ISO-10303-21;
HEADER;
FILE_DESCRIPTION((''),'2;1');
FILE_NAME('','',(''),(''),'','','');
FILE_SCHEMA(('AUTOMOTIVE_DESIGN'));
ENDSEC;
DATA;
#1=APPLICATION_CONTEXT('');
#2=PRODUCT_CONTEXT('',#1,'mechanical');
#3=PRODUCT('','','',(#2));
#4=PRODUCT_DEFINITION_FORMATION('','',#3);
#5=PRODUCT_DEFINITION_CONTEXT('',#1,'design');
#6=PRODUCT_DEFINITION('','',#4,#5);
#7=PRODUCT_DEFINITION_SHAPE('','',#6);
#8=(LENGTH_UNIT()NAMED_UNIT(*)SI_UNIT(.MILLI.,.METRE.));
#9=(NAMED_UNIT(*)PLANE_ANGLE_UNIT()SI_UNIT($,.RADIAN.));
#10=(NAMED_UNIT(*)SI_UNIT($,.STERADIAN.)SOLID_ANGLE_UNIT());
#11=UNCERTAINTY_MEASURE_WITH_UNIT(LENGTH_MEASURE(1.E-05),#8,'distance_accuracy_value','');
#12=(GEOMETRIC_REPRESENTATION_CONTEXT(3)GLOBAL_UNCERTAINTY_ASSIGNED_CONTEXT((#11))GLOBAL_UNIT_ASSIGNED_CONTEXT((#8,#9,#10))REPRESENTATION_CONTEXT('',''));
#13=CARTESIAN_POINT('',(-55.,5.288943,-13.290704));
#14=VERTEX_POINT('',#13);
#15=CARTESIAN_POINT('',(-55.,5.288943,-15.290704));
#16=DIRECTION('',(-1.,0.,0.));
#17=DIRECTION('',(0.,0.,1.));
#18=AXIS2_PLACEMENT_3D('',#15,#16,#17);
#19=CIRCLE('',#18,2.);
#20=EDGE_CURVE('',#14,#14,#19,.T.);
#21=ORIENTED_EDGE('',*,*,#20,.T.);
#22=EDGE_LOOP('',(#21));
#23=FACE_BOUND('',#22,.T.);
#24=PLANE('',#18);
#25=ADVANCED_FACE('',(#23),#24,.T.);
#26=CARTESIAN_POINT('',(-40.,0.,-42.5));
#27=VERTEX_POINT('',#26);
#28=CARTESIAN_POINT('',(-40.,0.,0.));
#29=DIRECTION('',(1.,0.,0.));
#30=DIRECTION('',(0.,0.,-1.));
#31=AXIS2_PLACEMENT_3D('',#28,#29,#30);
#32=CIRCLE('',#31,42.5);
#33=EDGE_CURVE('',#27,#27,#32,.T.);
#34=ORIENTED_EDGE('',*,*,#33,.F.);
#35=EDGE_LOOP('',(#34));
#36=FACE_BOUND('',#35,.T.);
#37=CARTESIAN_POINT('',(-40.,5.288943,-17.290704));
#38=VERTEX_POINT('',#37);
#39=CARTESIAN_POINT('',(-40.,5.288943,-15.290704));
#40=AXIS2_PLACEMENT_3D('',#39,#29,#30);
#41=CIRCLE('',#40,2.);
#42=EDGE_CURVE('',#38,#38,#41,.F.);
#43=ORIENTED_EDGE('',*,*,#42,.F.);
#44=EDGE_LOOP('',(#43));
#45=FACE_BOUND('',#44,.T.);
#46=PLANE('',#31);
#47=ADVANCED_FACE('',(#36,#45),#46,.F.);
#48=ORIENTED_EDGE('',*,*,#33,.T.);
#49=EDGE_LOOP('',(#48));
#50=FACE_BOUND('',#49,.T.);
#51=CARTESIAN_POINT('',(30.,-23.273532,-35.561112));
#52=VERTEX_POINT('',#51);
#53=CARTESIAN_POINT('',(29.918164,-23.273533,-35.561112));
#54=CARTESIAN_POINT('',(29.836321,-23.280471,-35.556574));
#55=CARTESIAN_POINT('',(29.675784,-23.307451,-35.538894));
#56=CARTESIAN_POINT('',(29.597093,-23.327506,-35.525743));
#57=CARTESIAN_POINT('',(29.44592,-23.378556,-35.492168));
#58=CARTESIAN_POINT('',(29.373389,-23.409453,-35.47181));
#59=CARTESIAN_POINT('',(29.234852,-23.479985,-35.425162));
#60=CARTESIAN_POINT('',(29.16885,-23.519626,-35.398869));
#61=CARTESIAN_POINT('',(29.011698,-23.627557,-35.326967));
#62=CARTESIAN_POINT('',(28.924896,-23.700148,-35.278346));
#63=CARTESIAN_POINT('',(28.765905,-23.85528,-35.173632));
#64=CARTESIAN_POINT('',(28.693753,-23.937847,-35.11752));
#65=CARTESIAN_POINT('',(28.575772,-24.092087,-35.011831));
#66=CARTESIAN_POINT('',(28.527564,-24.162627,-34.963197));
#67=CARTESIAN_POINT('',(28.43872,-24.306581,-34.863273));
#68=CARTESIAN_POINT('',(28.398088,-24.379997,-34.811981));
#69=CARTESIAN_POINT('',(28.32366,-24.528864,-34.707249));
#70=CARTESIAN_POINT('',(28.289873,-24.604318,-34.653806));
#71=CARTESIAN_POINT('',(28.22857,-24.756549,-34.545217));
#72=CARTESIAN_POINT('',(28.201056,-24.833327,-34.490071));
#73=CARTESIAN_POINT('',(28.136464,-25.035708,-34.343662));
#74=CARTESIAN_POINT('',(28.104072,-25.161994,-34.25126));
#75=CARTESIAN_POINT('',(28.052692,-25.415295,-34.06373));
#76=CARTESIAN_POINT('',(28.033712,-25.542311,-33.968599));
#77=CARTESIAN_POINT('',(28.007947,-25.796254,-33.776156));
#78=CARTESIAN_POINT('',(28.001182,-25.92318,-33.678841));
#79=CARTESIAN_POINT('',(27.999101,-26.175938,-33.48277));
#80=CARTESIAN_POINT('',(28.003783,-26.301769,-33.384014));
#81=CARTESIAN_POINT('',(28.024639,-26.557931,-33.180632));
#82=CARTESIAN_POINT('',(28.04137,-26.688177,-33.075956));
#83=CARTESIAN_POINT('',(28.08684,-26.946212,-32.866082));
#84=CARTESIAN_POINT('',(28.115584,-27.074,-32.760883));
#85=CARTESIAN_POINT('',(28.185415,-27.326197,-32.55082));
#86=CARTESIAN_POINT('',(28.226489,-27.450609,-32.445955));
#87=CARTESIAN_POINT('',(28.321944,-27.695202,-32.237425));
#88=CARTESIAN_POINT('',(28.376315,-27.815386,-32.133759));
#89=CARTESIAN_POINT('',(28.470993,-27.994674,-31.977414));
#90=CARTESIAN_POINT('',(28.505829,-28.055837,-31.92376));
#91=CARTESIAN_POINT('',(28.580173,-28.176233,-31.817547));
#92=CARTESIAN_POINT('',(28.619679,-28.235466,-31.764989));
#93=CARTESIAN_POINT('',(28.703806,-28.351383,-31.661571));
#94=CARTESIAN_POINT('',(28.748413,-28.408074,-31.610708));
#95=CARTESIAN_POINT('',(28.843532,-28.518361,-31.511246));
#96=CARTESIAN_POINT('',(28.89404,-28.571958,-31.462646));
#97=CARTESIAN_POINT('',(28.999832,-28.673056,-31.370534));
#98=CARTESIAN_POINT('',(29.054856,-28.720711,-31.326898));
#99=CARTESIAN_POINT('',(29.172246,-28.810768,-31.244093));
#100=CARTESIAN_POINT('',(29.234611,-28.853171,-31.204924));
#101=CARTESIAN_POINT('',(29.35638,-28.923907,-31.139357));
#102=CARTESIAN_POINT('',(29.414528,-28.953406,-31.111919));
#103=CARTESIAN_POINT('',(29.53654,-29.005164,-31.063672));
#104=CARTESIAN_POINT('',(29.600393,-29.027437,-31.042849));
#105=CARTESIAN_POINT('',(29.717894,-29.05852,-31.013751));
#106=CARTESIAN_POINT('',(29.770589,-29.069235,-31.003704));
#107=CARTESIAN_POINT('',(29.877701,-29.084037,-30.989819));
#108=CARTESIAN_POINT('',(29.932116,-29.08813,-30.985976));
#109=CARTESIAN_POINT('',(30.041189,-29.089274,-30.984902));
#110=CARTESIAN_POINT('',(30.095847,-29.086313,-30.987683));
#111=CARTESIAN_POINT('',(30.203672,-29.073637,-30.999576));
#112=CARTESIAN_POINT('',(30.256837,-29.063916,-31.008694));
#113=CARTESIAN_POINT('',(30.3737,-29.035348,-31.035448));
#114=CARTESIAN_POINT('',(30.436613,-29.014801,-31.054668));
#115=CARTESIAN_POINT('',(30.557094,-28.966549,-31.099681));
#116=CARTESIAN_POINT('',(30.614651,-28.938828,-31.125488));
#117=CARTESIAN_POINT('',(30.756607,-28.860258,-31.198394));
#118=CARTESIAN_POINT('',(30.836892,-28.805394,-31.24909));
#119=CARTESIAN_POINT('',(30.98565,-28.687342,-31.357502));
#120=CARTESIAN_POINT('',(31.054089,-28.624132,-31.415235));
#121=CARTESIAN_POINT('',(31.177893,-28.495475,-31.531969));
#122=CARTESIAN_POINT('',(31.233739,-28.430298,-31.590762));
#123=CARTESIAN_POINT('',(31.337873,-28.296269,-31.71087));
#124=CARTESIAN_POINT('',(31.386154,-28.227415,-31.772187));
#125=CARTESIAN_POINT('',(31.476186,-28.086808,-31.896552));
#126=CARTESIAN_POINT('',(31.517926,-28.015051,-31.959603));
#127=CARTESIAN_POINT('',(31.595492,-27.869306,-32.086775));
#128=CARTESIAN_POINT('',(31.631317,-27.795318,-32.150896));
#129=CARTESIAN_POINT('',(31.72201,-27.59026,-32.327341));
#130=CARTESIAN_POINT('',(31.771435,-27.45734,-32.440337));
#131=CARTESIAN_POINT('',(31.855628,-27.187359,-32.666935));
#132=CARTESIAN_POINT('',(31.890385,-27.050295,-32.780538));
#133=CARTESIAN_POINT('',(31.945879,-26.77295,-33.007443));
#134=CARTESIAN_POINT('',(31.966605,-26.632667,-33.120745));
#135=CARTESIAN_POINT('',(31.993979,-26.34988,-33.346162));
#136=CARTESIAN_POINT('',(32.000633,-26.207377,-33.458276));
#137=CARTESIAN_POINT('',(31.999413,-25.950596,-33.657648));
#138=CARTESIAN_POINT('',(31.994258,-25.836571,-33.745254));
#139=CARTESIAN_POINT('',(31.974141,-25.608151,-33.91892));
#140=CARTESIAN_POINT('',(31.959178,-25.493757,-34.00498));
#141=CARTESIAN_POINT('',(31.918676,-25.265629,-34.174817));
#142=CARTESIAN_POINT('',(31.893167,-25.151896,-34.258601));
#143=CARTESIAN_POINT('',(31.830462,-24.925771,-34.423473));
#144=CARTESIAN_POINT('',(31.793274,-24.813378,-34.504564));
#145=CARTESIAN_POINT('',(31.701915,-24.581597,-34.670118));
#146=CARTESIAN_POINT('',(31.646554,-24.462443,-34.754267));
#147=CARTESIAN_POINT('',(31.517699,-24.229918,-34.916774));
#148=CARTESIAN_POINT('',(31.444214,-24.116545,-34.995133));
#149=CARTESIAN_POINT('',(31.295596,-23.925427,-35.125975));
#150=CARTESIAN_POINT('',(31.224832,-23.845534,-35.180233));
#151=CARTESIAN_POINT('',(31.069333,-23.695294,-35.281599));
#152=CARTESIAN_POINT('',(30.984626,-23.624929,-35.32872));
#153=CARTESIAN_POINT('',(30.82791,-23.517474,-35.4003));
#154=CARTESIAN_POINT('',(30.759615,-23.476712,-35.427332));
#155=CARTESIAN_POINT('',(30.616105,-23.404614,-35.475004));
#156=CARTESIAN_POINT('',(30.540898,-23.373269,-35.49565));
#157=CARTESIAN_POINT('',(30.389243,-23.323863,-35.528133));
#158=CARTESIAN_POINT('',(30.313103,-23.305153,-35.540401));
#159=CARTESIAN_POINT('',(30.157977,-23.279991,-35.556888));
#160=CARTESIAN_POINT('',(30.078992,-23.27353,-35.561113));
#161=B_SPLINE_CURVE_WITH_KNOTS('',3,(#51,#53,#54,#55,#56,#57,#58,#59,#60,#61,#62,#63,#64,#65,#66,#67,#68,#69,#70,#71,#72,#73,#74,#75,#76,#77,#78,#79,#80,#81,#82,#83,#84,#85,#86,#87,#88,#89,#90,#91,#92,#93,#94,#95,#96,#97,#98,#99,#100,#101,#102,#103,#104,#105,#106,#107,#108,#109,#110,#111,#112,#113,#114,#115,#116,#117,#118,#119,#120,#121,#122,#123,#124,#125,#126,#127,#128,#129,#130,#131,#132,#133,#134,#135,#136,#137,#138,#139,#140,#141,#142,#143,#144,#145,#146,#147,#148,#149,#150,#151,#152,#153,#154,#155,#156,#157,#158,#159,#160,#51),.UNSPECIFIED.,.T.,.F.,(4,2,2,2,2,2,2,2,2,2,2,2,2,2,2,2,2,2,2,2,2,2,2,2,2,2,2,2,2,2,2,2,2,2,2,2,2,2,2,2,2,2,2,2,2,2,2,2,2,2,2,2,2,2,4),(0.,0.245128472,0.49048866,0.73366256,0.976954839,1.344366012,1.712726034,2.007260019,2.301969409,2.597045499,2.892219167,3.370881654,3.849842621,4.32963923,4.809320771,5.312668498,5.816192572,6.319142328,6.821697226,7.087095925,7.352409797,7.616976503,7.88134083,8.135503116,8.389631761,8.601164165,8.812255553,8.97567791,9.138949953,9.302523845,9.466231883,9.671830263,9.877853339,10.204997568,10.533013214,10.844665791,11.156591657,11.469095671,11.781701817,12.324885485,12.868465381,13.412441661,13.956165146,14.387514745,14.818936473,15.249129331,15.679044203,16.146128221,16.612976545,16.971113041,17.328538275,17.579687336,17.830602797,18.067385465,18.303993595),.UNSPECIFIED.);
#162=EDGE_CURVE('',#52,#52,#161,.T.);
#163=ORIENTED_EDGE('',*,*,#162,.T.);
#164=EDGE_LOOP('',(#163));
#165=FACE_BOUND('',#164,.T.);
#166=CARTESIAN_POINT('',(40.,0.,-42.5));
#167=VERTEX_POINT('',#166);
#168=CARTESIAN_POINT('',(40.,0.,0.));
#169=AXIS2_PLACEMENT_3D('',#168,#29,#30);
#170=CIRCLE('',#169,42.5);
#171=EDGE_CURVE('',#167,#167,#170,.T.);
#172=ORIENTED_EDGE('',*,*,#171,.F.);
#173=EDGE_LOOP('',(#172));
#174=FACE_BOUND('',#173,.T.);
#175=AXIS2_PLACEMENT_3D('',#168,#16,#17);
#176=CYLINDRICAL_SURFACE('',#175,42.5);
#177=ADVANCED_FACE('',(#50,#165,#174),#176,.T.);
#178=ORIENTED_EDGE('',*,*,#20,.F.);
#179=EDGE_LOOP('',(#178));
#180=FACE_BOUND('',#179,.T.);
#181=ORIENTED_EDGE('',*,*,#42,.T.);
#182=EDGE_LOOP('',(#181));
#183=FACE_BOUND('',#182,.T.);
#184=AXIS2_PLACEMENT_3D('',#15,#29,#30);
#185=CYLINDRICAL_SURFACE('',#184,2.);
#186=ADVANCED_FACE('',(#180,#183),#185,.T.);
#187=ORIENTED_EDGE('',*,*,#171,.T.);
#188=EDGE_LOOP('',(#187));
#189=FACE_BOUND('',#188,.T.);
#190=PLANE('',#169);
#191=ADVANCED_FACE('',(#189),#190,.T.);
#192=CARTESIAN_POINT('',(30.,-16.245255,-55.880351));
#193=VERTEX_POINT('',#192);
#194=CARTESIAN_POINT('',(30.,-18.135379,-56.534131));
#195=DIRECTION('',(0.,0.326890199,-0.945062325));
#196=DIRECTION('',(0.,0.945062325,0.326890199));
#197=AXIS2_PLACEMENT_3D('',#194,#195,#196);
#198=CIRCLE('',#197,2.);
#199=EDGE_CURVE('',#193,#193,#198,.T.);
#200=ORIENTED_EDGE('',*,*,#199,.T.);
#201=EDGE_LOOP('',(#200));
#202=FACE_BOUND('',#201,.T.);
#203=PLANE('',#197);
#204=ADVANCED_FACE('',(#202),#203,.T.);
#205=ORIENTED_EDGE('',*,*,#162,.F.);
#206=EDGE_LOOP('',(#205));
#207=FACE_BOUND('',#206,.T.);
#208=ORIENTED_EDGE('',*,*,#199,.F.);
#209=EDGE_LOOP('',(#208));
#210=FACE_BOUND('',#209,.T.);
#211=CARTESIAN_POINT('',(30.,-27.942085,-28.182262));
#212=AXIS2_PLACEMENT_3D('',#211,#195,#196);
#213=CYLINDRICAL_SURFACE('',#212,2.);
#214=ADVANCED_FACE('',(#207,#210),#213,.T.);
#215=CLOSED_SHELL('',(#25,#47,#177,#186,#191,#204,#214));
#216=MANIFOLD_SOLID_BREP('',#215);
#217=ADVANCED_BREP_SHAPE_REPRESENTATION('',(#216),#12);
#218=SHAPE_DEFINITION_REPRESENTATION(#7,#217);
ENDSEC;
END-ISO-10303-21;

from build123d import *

# Parameters (mm, degrees)
SKETCH1_R           = 42.5
BOSS_EXTRUDE1_DEPTH = 40
SKETCH2_R           = 2
BOSS_EXTRUDE2_DEPTH = 15
SKETCH3_R           = 2
BOSS_EXTRUDE3_DEPTH = 30


with BuildPart() as part:
    # Sketch1 → Boss-Extrude1 (new body, symmetric)
    with BuildSketch(Plane(origin=(0, 0, 0), x_dir=(0, 0, -1), z_dir=(1, 0, 0))):
        Circle(SKETCH1_R)
    extrude(amount=BOSS_EXTRUDE1_DEPTH, both=True)

    # Sketch2 → Boss-Extrude2 (add)
    with BuildSketch(Plane.ZY.offset(40)):
        with Locations((-15.290703643, 5.288943408)):
            Circle(SKETCH2_R)
    extrude(amount=BOSS_EXTRUDE2_DEPTH)

    # Sketch3 → Boss-Extrude3 (add)
    with BuildSketch(Plane(origin=(0, 15.527284441, -44.890460433), x_dir=(-1, 0, 0), z_dir=(0, 0.326890199, -0.945062325))):
        with Locations((-30, -35.619517122)):
            Circle(SKETCH3_R)
    extrude(amount=-BOSS_EXTRUDE3_DEPTH)


solid = part.part
